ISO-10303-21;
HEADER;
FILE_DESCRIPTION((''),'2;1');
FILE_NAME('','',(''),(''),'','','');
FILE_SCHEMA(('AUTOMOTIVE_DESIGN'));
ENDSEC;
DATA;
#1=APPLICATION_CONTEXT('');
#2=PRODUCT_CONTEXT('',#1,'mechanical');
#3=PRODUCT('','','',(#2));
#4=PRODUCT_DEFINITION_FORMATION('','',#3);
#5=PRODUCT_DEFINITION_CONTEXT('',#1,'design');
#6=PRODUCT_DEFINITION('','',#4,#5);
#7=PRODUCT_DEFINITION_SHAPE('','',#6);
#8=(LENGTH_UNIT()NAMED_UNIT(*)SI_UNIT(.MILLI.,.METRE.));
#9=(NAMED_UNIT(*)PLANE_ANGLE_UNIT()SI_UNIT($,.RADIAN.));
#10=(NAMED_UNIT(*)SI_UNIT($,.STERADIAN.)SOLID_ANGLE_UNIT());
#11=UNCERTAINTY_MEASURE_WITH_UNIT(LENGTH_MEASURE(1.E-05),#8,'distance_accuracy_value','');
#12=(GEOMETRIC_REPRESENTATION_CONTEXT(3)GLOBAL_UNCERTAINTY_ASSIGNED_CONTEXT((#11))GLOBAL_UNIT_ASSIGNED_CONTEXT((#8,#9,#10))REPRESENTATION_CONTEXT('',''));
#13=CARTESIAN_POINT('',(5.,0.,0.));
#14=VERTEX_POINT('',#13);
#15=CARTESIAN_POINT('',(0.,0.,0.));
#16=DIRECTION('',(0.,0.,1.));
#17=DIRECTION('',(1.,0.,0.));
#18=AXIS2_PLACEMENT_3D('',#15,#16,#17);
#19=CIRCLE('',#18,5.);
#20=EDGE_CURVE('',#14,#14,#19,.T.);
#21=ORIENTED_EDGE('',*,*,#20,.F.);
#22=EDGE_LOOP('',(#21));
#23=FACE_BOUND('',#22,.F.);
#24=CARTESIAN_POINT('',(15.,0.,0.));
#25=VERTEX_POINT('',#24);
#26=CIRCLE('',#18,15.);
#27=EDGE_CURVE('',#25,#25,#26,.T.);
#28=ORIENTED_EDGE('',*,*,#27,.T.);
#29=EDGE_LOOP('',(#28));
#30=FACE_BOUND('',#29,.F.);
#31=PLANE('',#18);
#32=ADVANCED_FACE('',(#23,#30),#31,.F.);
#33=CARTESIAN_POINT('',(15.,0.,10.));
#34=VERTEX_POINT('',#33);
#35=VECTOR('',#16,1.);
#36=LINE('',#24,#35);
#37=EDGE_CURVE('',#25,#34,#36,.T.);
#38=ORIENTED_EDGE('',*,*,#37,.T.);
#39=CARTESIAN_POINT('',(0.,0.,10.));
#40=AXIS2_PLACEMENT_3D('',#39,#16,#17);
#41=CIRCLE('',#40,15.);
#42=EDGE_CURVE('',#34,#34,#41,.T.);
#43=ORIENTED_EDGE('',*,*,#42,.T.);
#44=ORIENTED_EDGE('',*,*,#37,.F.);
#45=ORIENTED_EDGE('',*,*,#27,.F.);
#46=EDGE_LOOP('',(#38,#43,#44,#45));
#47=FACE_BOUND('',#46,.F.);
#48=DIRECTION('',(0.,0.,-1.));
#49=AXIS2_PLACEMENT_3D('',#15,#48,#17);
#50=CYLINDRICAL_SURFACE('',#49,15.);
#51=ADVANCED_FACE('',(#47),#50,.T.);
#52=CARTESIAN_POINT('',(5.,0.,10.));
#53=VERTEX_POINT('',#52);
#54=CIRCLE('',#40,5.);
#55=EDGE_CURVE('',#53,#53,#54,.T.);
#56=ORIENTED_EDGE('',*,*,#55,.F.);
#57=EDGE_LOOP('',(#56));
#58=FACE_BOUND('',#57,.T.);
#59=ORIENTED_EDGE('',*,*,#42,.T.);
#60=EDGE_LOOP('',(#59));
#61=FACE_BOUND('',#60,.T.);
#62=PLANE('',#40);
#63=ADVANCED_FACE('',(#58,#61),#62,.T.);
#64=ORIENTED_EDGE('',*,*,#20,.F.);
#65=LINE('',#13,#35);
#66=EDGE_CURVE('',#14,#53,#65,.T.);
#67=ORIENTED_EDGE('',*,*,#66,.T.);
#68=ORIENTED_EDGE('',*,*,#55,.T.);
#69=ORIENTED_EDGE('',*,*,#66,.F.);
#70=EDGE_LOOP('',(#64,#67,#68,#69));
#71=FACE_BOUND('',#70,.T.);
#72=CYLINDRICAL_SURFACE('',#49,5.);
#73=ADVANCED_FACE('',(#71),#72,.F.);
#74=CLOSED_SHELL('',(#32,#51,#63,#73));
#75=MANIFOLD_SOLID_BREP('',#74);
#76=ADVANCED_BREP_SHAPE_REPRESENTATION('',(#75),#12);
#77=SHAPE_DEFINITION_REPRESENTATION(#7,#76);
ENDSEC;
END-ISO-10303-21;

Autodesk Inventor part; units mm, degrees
ref_plane "YZ Plane" through (0, 0, 0) normal (1, 0, 0) x (0, 1, 0)
ref_plane "XZ Plane" through (0, 0, 0) normal (0, 1, 0) x (-1, 0, 0)
ref_plane "XY Plane" through (0, 0, 0) normal (0, 0, 1) x (1, 0, 0)
sketch "スケッチ1" plane through (0, 0, 0) normal (0, 0, 1) x (1, 0, 0)
  circle A0 centre (0, 0) radius 15
  circle A1 centre (0, 0) radius 5
  dimension "d0" = 30
  dimension "d1" = 10
extrude "押し出し1" add sketch "スケッチ1" along normal blind 10
properties part number "TH22_mechalock" material "鋼"
